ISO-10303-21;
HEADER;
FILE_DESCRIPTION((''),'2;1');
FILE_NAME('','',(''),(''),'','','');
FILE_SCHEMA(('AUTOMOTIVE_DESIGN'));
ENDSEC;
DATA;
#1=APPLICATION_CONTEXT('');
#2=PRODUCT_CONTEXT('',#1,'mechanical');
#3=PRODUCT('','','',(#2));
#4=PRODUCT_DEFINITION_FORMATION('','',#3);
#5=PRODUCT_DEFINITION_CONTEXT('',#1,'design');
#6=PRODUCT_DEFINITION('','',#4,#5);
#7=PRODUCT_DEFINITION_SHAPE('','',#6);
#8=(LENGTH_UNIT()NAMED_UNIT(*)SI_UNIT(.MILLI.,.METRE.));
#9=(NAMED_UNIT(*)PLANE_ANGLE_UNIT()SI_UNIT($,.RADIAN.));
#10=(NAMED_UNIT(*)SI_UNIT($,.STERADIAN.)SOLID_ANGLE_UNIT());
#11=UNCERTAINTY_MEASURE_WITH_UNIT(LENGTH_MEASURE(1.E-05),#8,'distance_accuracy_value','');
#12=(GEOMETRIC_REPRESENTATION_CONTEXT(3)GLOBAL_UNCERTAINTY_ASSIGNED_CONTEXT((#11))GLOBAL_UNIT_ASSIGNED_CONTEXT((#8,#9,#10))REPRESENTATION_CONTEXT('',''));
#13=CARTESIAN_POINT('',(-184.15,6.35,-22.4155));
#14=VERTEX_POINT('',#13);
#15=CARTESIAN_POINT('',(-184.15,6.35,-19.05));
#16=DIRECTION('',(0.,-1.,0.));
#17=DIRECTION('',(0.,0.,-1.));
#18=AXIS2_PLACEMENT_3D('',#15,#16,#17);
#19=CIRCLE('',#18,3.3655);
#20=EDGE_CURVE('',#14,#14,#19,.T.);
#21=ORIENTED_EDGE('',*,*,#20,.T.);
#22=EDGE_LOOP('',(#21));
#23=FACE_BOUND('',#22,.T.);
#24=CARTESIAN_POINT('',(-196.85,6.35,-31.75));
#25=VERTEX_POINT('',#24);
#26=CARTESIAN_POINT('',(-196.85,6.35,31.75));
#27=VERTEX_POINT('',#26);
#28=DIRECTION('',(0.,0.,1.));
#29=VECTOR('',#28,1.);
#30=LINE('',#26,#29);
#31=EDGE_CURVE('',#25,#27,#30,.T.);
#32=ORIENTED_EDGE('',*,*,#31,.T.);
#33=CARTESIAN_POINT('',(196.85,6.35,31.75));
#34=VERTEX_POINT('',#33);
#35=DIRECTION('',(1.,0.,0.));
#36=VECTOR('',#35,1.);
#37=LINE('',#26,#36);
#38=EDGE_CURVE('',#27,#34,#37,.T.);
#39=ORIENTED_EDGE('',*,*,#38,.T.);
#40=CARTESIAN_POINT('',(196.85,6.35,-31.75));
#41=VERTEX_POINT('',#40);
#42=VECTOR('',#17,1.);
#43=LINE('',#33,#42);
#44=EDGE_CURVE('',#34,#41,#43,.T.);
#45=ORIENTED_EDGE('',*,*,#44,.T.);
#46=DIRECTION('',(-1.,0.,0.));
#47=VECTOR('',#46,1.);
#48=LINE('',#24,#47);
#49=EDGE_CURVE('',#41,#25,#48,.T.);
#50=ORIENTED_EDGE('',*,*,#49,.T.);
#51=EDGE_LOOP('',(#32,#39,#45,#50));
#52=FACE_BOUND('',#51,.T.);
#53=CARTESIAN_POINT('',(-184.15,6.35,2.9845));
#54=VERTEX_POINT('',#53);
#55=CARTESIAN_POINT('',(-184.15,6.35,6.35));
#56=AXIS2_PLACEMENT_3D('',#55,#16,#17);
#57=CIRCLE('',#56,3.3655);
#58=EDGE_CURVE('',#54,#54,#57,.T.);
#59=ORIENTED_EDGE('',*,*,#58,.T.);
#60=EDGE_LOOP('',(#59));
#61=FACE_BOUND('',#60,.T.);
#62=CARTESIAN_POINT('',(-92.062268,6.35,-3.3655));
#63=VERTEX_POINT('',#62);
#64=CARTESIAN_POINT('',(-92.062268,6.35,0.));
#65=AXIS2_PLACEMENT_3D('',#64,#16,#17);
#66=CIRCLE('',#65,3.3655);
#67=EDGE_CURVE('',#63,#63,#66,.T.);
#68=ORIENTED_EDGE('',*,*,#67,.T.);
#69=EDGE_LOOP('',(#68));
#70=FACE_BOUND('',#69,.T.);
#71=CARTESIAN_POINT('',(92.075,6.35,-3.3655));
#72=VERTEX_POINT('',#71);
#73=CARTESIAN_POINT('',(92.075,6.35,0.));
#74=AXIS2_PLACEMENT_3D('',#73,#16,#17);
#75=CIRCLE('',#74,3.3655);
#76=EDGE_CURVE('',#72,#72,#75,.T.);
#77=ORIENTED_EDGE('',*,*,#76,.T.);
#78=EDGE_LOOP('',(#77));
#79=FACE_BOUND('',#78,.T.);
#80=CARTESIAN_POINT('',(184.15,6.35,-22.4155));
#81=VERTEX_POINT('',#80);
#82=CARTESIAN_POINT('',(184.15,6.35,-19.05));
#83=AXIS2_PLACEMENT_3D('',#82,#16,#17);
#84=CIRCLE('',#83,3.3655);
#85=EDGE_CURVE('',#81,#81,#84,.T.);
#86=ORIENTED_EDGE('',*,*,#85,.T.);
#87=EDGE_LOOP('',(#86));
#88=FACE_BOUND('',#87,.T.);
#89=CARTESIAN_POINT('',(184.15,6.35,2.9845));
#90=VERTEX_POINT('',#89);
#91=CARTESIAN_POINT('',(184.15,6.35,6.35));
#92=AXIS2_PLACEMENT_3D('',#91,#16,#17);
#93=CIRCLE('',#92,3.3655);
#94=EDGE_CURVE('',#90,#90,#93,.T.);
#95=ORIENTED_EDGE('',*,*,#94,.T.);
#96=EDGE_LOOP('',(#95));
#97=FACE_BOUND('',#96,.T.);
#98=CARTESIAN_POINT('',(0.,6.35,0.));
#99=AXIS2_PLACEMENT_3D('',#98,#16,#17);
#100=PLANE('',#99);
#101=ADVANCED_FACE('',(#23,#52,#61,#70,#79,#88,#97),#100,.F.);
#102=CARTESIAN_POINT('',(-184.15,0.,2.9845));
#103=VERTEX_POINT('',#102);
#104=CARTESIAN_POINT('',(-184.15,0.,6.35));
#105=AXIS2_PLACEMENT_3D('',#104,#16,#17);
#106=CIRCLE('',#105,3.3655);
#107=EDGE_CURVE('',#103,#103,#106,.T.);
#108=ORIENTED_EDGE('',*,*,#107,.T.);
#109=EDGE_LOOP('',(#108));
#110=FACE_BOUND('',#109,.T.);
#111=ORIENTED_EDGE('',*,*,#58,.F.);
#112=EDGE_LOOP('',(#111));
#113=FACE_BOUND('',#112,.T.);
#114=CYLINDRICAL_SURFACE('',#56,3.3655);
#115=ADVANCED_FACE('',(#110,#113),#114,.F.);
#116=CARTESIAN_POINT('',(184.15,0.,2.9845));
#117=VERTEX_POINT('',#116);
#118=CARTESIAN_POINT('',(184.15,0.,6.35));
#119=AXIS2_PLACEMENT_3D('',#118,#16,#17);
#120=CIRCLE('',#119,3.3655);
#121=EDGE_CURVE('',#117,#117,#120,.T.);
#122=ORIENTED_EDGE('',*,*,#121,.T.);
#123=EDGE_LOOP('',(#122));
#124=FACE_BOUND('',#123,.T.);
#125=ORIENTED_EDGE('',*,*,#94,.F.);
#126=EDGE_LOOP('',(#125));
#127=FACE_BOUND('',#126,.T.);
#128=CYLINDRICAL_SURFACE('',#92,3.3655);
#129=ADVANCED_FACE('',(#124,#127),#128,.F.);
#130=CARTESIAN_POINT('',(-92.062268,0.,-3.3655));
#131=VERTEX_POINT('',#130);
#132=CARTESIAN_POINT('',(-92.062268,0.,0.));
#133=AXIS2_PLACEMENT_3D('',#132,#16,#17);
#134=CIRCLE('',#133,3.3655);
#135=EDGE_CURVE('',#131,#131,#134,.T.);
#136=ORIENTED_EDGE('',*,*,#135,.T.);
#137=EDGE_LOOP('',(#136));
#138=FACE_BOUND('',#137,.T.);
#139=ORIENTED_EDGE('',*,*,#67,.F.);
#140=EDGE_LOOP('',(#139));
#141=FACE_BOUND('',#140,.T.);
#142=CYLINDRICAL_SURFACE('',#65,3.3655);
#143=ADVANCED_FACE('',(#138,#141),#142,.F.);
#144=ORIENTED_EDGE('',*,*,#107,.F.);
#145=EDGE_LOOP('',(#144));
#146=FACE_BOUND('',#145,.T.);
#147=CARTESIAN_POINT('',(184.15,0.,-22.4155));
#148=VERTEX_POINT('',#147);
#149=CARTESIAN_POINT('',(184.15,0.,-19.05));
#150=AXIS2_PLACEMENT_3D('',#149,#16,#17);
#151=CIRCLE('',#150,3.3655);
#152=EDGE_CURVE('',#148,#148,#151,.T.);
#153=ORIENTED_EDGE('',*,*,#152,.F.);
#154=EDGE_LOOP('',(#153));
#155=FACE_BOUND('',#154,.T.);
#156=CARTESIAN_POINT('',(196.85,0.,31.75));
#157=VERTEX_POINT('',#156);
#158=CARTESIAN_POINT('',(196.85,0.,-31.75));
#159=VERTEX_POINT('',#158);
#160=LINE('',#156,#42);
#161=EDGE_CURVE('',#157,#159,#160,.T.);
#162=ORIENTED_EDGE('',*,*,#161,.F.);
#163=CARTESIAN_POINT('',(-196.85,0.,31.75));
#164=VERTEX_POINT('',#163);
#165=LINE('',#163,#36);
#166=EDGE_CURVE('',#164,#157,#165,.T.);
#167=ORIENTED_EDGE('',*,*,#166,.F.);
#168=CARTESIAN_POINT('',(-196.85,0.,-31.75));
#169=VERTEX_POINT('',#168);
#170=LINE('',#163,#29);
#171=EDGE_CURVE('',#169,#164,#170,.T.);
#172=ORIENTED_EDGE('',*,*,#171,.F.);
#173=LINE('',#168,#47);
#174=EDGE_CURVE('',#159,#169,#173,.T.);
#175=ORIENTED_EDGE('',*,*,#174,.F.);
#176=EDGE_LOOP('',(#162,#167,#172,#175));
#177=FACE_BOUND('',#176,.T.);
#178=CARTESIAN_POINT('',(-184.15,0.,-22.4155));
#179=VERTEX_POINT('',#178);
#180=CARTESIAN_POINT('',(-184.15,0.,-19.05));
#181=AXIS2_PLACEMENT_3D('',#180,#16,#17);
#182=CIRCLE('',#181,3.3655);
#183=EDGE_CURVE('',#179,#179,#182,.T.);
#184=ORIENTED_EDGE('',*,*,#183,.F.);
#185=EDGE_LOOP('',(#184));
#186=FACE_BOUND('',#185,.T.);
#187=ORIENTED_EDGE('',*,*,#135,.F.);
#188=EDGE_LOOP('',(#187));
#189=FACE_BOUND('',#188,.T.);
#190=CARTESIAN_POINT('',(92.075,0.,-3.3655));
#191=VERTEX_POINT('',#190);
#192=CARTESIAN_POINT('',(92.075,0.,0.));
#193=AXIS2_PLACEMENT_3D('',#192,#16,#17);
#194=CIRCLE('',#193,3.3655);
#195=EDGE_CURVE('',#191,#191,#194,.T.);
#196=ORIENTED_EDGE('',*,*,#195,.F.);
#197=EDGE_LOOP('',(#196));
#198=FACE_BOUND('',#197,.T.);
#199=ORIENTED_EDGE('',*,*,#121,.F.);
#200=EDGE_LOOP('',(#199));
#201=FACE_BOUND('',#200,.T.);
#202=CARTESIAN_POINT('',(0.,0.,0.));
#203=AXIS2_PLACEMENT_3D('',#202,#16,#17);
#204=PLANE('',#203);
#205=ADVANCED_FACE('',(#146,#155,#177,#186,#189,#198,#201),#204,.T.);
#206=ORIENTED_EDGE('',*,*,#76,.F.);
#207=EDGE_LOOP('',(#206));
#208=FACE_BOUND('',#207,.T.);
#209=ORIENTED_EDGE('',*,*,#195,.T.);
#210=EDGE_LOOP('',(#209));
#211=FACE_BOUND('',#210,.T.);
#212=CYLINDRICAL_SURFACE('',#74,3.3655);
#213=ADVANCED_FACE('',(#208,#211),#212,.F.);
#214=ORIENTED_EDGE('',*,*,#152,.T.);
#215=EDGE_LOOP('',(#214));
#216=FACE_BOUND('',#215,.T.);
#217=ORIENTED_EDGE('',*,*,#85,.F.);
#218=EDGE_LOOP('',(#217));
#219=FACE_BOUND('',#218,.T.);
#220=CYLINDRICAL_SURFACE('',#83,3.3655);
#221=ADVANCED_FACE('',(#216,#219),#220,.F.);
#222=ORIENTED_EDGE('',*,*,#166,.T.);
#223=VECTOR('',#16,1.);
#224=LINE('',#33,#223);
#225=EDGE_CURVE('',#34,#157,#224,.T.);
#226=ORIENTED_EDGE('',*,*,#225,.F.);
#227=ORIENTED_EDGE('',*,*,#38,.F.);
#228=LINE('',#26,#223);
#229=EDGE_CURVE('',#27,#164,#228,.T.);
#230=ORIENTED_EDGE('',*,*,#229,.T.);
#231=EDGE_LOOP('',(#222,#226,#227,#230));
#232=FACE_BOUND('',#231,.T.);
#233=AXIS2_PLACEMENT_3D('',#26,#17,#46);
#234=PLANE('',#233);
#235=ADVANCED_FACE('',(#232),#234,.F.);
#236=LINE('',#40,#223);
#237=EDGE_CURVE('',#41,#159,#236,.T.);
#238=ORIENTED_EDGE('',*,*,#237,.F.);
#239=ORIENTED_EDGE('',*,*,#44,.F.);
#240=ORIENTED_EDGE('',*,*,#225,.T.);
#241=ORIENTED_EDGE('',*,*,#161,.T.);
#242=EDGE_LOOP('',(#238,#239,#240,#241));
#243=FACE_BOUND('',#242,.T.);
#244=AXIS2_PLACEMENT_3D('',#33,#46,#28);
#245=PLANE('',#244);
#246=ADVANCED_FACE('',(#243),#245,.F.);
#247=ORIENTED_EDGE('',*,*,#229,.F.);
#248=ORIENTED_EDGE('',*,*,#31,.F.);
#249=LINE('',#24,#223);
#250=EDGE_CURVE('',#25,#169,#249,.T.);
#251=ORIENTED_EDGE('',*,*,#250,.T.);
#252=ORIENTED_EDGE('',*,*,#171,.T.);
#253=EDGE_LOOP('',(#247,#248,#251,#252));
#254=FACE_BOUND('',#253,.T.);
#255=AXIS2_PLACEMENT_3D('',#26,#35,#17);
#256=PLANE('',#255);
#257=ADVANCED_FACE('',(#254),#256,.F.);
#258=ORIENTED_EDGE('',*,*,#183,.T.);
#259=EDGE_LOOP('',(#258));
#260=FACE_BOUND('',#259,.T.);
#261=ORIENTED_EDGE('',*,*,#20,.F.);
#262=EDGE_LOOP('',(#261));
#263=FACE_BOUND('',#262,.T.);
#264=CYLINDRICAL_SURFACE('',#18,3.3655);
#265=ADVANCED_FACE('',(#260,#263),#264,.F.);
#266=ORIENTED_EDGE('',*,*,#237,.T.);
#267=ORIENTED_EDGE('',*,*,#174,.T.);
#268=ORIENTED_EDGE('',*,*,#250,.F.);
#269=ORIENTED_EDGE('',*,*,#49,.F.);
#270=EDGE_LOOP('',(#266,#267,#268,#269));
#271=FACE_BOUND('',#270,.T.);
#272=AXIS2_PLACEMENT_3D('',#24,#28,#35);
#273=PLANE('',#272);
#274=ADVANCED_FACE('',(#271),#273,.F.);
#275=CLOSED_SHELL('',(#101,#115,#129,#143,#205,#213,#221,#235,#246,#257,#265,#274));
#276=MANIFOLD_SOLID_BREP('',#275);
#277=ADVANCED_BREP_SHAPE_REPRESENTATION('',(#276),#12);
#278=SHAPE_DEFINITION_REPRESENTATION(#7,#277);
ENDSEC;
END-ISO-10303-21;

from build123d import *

# Parameters (mm, degrees)
SKETCH1_W           = 393.7
SKETCH1_H           = 63.5
BOSS_EXTRUDE1_DEPTH = 6.35
SKETCH2_R           = 3.3655
SKETCH2_R_2         = 2.5527
CUT_EXTRUDE1_DEPTH  = 200.49513152


with BuildPart() as part:
    # Sketch1 → Boss-Extrude1 (new body)
    with BuildSketch(Plane(origin=(0, 0, 0), x_dir=(1, 0, 0), z_dir=(0, 1, 0))):
        Rectangle(SKETCH1_W, SKETCH1_H)
    extrude(amount=BOSS_EXTRUDE1_DEPTH)

    # Sketch2 → Cut-Extrude1 (cut, through all)
    with BuildSketch(Plane.XZ):
        with Locations(Location((-92.062267829, 0, 0), (0, 0, 270))):
            Circle(SKETCH2_R)
        with Locations((-92.062267829, 0)):
            Circle(SKETCH2_R_2, mode=Mode.SUBTRACT)
        with Locations((-92.062267829, 0)):
            Circle(SKETCH2_R_2)
        with Locations(Location((-184.15, 6.35, 0), (0, 0, 270))):
            Circle(SKETCH2_R)
        with Locations(Location((-184.15, -19.05, 0), (0, 0, 270))):
            Circle(SKETCH2_R)
        with Locations(Location((92.075, 0, 0), (0, 0, 270))):
            Circle(SKETCH2_R)
        with Locations((92.075, 0)):
            Circle(SKETCH2_R_2, mode=Mode.SUBTRACT)
        with Locations((92.075, 0)):
            Circle(SKETCH2_R_2)
        with Locations(Location((184.15, 6.35, 0), (0, 0, 270))):
            Circle(SKETCH2_R)
        with Locations(Location((184.15, -19.05, 0), (0, 0, 270))):
            Circle(SKETCH2_R)
    extrude(amount=-CUT_EXTRUDE1_DEPTH, mode=Mode.SUBTRACT)


solid = part.part
